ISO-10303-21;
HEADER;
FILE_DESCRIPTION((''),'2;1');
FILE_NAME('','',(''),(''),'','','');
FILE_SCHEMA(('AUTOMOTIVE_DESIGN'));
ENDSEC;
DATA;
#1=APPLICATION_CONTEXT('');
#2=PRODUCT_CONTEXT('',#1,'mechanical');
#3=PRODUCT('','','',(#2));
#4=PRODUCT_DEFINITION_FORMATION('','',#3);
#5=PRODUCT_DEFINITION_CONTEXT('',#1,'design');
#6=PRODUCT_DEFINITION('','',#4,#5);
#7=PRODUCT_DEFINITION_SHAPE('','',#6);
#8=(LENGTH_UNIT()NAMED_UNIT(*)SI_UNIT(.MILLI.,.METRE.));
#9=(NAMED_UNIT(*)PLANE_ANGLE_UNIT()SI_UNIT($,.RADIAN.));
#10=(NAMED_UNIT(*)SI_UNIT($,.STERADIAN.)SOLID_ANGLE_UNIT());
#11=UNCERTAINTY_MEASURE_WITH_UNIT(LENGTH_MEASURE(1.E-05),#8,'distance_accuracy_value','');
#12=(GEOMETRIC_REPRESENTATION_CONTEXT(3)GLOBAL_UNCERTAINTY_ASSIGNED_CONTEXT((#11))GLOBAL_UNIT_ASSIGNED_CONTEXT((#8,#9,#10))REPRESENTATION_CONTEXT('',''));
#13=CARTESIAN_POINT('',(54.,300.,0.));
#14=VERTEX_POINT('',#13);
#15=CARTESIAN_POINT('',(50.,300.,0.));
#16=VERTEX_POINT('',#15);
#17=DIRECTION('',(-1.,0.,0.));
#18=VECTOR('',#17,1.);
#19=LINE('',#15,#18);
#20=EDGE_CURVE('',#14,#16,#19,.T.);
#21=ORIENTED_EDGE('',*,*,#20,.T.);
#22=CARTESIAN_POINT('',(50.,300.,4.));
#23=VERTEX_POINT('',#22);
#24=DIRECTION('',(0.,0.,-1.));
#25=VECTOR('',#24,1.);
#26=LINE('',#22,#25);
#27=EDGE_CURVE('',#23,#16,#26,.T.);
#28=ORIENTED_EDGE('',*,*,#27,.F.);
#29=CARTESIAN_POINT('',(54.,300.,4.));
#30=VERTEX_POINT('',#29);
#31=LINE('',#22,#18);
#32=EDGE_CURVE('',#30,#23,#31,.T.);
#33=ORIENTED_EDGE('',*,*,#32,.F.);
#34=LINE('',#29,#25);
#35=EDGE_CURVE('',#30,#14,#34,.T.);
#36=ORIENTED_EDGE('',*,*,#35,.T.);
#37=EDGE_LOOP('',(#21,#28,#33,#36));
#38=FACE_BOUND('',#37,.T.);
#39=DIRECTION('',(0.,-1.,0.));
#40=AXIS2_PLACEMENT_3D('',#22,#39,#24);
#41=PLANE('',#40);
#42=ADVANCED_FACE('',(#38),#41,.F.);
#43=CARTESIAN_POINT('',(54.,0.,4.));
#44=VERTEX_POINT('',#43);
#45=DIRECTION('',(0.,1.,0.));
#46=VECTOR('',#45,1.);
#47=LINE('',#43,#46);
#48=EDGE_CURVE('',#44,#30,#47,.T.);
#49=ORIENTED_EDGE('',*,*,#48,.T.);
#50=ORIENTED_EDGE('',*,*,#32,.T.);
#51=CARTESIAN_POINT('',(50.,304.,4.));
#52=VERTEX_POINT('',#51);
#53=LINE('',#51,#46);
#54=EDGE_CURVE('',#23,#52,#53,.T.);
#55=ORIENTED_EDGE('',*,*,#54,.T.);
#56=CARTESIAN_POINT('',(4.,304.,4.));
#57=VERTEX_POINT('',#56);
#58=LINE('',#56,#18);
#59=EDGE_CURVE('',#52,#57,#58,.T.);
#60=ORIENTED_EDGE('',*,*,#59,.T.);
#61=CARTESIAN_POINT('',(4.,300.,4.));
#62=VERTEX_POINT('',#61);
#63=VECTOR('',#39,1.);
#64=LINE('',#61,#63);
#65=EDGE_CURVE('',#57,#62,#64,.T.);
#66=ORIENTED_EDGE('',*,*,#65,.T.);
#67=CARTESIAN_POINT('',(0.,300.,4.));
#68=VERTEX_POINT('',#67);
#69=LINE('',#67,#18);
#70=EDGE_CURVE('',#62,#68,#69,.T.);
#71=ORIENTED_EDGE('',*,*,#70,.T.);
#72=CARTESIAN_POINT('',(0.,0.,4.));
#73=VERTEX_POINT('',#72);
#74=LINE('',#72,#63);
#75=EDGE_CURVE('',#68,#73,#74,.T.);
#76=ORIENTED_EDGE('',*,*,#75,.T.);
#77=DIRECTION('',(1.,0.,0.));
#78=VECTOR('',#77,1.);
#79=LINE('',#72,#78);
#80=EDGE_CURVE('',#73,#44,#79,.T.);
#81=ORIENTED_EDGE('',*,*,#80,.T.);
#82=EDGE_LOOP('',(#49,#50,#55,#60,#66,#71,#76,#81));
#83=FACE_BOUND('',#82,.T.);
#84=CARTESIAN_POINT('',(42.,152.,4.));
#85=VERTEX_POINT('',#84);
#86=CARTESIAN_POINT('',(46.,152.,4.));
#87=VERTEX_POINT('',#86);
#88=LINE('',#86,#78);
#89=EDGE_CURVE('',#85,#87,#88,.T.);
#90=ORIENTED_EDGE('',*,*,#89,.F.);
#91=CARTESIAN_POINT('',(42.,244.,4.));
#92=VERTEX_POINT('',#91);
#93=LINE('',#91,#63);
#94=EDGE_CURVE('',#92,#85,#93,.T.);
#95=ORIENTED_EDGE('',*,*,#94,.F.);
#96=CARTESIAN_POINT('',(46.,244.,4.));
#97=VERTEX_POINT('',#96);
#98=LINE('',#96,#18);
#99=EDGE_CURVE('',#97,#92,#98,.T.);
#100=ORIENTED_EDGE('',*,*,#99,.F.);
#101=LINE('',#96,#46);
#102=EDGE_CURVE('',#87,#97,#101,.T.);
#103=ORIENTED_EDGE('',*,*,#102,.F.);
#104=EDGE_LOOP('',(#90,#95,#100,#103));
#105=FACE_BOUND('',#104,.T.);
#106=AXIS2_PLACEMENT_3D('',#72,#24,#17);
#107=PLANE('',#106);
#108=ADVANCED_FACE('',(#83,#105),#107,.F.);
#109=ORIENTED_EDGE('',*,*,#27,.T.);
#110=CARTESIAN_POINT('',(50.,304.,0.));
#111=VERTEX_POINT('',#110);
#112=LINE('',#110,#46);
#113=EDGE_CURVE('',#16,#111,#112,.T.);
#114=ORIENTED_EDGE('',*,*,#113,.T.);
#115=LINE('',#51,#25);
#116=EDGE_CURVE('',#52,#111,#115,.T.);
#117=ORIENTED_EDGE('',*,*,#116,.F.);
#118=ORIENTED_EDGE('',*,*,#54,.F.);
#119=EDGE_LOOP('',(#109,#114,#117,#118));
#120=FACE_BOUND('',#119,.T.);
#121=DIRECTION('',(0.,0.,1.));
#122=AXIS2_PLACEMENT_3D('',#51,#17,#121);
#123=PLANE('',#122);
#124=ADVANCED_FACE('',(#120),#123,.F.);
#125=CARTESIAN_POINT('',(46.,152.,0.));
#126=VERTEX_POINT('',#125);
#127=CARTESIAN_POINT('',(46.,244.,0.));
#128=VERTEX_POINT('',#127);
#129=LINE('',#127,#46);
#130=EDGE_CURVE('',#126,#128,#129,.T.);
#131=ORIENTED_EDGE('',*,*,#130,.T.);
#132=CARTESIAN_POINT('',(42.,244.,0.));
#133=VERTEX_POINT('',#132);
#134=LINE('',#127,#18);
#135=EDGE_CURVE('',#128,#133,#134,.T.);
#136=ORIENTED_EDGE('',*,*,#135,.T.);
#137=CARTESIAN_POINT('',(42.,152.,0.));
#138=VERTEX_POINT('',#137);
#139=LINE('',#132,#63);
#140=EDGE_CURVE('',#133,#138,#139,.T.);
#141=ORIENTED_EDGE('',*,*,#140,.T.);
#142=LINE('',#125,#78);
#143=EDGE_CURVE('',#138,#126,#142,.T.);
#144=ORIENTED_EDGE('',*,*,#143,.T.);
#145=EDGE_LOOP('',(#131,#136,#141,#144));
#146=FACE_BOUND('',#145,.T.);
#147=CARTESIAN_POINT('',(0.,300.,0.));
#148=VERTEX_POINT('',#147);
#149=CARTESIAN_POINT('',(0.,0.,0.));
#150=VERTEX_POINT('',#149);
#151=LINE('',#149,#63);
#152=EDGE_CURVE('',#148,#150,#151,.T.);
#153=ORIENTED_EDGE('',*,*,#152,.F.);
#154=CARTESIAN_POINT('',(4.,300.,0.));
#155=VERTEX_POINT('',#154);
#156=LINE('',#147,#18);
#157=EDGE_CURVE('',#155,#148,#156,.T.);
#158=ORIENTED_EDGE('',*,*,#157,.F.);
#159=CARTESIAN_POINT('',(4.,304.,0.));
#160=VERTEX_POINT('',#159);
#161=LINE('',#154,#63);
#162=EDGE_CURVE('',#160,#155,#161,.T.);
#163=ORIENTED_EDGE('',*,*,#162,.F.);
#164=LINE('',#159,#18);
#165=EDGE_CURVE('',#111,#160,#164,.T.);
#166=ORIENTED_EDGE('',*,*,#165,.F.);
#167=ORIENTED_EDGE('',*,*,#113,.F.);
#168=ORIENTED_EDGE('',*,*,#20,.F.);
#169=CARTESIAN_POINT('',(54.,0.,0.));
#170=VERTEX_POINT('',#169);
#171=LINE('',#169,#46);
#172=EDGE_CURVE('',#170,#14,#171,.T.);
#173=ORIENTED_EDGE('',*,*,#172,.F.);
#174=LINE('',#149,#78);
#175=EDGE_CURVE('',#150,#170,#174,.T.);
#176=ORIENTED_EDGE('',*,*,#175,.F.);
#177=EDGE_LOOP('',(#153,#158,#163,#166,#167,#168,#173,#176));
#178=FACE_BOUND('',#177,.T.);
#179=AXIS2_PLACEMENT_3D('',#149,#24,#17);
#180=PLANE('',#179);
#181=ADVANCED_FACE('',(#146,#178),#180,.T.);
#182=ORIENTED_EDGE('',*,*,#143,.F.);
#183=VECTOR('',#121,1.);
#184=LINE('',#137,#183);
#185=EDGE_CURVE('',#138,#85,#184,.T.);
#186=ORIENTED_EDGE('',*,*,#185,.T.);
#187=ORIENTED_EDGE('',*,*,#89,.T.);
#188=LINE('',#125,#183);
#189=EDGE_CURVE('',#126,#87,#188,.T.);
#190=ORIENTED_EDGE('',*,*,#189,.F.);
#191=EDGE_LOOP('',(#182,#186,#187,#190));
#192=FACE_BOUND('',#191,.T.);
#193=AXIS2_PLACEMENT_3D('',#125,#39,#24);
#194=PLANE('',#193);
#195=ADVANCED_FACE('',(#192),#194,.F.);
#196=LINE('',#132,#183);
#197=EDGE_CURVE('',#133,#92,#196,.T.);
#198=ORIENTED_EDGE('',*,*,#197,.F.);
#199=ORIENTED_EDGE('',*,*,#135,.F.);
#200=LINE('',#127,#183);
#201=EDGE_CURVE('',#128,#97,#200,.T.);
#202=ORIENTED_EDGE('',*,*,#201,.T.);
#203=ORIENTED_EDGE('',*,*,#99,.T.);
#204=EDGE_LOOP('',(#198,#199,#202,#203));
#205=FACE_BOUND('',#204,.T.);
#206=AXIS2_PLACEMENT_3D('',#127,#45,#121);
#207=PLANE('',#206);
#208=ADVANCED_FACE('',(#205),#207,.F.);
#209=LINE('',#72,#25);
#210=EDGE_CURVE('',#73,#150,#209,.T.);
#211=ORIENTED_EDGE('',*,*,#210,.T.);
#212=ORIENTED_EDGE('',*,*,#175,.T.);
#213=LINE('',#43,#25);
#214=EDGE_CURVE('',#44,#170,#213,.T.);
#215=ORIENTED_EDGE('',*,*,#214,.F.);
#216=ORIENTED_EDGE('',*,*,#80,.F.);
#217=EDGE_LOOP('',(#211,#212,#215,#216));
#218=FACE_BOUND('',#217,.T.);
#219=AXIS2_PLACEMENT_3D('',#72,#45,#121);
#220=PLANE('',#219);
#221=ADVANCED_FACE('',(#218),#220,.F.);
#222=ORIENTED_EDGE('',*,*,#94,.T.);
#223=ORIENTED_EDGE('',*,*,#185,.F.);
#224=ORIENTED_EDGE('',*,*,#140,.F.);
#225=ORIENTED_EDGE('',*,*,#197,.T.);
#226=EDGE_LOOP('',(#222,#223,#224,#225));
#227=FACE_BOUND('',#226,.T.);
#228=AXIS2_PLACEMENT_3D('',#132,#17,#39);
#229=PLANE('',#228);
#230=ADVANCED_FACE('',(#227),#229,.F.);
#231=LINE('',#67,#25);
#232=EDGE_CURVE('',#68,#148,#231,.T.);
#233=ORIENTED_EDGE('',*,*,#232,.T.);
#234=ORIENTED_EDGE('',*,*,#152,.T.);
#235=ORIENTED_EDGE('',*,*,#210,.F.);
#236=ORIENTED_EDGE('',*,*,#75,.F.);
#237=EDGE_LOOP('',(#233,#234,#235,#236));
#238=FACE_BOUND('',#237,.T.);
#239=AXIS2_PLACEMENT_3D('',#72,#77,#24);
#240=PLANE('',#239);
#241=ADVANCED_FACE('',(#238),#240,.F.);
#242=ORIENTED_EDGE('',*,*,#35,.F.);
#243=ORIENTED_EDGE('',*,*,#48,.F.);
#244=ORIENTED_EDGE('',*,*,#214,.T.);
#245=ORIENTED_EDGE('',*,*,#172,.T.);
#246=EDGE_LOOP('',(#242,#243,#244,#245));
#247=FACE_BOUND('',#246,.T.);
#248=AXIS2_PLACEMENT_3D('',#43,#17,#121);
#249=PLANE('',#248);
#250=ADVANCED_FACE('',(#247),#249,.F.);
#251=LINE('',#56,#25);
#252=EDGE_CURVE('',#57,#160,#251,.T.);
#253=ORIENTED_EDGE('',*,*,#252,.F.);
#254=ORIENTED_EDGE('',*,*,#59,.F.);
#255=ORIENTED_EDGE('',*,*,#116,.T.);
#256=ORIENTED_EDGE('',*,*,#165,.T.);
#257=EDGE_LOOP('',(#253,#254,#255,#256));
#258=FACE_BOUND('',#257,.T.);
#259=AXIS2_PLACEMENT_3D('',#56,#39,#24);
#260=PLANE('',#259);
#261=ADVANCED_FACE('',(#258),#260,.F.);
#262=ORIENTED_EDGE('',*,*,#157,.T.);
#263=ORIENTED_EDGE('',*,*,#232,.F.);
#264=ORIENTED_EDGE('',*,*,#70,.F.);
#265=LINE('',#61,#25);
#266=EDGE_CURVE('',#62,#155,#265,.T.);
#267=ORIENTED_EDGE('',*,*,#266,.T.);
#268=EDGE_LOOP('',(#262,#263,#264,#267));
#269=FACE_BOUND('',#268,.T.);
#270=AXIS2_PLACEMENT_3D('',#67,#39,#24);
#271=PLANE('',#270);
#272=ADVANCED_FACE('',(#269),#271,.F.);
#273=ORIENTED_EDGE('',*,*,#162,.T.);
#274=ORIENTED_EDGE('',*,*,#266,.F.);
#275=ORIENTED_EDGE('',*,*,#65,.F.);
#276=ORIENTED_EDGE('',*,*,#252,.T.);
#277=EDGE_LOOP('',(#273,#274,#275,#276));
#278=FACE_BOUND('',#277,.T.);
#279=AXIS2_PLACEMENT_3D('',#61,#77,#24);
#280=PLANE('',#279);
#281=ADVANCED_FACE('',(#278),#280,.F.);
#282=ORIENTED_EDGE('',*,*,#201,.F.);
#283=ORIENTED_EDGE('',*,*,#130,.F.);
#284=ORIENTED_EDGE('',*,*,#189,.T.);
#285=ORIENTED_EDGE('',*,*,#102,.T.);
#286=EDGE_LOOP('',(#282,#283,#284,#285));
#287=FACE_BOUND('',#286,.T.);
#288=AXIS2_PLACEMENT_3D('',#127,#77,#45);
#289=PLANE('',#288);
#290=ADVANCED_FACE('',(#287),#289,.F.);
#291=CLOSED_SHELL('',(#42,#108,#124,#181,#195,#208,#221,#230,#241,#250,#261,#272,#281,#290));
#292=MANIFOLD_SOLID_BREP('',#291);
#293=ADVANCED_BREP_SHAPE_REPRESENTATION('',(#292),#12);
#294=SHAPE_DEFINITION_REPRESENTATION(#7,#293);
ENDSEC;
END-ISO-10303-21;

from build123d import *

# Parameters (mm, degrees)
BOSS_EXTRUDE1_DEPTH = 4
SKETCH2_W           = 4
SKETCH2_H           = 92
CUT_EXTRUDE1_DEPTH  = 309.784714648


with BuildPart() as part:
    # Sketch1 → Boss-Extrude1 (new body)
    with BuildSketch(Plane.XY):
        Polygon((0, 300), (4, 300), (4, 304), (50, 304), (50, 300), (54, 300), (54, 0), (0, 0), align=None)
    extrude(amount=BOSS_EXTRUDE1_DEPTH)

    # Sketch2 → Cut-Extrude1 (cut, through all)
    with BuildSketch(Plane.XY.offset(4)):
        with Locations((44, 198)):
            Rectangle(SKETCH2_W, SKETCH2_H)
    extrude(amount=-CUT_EXTRUDE1_DEPTH, mode=Mode.SUBTRACT)


solid = part.part
